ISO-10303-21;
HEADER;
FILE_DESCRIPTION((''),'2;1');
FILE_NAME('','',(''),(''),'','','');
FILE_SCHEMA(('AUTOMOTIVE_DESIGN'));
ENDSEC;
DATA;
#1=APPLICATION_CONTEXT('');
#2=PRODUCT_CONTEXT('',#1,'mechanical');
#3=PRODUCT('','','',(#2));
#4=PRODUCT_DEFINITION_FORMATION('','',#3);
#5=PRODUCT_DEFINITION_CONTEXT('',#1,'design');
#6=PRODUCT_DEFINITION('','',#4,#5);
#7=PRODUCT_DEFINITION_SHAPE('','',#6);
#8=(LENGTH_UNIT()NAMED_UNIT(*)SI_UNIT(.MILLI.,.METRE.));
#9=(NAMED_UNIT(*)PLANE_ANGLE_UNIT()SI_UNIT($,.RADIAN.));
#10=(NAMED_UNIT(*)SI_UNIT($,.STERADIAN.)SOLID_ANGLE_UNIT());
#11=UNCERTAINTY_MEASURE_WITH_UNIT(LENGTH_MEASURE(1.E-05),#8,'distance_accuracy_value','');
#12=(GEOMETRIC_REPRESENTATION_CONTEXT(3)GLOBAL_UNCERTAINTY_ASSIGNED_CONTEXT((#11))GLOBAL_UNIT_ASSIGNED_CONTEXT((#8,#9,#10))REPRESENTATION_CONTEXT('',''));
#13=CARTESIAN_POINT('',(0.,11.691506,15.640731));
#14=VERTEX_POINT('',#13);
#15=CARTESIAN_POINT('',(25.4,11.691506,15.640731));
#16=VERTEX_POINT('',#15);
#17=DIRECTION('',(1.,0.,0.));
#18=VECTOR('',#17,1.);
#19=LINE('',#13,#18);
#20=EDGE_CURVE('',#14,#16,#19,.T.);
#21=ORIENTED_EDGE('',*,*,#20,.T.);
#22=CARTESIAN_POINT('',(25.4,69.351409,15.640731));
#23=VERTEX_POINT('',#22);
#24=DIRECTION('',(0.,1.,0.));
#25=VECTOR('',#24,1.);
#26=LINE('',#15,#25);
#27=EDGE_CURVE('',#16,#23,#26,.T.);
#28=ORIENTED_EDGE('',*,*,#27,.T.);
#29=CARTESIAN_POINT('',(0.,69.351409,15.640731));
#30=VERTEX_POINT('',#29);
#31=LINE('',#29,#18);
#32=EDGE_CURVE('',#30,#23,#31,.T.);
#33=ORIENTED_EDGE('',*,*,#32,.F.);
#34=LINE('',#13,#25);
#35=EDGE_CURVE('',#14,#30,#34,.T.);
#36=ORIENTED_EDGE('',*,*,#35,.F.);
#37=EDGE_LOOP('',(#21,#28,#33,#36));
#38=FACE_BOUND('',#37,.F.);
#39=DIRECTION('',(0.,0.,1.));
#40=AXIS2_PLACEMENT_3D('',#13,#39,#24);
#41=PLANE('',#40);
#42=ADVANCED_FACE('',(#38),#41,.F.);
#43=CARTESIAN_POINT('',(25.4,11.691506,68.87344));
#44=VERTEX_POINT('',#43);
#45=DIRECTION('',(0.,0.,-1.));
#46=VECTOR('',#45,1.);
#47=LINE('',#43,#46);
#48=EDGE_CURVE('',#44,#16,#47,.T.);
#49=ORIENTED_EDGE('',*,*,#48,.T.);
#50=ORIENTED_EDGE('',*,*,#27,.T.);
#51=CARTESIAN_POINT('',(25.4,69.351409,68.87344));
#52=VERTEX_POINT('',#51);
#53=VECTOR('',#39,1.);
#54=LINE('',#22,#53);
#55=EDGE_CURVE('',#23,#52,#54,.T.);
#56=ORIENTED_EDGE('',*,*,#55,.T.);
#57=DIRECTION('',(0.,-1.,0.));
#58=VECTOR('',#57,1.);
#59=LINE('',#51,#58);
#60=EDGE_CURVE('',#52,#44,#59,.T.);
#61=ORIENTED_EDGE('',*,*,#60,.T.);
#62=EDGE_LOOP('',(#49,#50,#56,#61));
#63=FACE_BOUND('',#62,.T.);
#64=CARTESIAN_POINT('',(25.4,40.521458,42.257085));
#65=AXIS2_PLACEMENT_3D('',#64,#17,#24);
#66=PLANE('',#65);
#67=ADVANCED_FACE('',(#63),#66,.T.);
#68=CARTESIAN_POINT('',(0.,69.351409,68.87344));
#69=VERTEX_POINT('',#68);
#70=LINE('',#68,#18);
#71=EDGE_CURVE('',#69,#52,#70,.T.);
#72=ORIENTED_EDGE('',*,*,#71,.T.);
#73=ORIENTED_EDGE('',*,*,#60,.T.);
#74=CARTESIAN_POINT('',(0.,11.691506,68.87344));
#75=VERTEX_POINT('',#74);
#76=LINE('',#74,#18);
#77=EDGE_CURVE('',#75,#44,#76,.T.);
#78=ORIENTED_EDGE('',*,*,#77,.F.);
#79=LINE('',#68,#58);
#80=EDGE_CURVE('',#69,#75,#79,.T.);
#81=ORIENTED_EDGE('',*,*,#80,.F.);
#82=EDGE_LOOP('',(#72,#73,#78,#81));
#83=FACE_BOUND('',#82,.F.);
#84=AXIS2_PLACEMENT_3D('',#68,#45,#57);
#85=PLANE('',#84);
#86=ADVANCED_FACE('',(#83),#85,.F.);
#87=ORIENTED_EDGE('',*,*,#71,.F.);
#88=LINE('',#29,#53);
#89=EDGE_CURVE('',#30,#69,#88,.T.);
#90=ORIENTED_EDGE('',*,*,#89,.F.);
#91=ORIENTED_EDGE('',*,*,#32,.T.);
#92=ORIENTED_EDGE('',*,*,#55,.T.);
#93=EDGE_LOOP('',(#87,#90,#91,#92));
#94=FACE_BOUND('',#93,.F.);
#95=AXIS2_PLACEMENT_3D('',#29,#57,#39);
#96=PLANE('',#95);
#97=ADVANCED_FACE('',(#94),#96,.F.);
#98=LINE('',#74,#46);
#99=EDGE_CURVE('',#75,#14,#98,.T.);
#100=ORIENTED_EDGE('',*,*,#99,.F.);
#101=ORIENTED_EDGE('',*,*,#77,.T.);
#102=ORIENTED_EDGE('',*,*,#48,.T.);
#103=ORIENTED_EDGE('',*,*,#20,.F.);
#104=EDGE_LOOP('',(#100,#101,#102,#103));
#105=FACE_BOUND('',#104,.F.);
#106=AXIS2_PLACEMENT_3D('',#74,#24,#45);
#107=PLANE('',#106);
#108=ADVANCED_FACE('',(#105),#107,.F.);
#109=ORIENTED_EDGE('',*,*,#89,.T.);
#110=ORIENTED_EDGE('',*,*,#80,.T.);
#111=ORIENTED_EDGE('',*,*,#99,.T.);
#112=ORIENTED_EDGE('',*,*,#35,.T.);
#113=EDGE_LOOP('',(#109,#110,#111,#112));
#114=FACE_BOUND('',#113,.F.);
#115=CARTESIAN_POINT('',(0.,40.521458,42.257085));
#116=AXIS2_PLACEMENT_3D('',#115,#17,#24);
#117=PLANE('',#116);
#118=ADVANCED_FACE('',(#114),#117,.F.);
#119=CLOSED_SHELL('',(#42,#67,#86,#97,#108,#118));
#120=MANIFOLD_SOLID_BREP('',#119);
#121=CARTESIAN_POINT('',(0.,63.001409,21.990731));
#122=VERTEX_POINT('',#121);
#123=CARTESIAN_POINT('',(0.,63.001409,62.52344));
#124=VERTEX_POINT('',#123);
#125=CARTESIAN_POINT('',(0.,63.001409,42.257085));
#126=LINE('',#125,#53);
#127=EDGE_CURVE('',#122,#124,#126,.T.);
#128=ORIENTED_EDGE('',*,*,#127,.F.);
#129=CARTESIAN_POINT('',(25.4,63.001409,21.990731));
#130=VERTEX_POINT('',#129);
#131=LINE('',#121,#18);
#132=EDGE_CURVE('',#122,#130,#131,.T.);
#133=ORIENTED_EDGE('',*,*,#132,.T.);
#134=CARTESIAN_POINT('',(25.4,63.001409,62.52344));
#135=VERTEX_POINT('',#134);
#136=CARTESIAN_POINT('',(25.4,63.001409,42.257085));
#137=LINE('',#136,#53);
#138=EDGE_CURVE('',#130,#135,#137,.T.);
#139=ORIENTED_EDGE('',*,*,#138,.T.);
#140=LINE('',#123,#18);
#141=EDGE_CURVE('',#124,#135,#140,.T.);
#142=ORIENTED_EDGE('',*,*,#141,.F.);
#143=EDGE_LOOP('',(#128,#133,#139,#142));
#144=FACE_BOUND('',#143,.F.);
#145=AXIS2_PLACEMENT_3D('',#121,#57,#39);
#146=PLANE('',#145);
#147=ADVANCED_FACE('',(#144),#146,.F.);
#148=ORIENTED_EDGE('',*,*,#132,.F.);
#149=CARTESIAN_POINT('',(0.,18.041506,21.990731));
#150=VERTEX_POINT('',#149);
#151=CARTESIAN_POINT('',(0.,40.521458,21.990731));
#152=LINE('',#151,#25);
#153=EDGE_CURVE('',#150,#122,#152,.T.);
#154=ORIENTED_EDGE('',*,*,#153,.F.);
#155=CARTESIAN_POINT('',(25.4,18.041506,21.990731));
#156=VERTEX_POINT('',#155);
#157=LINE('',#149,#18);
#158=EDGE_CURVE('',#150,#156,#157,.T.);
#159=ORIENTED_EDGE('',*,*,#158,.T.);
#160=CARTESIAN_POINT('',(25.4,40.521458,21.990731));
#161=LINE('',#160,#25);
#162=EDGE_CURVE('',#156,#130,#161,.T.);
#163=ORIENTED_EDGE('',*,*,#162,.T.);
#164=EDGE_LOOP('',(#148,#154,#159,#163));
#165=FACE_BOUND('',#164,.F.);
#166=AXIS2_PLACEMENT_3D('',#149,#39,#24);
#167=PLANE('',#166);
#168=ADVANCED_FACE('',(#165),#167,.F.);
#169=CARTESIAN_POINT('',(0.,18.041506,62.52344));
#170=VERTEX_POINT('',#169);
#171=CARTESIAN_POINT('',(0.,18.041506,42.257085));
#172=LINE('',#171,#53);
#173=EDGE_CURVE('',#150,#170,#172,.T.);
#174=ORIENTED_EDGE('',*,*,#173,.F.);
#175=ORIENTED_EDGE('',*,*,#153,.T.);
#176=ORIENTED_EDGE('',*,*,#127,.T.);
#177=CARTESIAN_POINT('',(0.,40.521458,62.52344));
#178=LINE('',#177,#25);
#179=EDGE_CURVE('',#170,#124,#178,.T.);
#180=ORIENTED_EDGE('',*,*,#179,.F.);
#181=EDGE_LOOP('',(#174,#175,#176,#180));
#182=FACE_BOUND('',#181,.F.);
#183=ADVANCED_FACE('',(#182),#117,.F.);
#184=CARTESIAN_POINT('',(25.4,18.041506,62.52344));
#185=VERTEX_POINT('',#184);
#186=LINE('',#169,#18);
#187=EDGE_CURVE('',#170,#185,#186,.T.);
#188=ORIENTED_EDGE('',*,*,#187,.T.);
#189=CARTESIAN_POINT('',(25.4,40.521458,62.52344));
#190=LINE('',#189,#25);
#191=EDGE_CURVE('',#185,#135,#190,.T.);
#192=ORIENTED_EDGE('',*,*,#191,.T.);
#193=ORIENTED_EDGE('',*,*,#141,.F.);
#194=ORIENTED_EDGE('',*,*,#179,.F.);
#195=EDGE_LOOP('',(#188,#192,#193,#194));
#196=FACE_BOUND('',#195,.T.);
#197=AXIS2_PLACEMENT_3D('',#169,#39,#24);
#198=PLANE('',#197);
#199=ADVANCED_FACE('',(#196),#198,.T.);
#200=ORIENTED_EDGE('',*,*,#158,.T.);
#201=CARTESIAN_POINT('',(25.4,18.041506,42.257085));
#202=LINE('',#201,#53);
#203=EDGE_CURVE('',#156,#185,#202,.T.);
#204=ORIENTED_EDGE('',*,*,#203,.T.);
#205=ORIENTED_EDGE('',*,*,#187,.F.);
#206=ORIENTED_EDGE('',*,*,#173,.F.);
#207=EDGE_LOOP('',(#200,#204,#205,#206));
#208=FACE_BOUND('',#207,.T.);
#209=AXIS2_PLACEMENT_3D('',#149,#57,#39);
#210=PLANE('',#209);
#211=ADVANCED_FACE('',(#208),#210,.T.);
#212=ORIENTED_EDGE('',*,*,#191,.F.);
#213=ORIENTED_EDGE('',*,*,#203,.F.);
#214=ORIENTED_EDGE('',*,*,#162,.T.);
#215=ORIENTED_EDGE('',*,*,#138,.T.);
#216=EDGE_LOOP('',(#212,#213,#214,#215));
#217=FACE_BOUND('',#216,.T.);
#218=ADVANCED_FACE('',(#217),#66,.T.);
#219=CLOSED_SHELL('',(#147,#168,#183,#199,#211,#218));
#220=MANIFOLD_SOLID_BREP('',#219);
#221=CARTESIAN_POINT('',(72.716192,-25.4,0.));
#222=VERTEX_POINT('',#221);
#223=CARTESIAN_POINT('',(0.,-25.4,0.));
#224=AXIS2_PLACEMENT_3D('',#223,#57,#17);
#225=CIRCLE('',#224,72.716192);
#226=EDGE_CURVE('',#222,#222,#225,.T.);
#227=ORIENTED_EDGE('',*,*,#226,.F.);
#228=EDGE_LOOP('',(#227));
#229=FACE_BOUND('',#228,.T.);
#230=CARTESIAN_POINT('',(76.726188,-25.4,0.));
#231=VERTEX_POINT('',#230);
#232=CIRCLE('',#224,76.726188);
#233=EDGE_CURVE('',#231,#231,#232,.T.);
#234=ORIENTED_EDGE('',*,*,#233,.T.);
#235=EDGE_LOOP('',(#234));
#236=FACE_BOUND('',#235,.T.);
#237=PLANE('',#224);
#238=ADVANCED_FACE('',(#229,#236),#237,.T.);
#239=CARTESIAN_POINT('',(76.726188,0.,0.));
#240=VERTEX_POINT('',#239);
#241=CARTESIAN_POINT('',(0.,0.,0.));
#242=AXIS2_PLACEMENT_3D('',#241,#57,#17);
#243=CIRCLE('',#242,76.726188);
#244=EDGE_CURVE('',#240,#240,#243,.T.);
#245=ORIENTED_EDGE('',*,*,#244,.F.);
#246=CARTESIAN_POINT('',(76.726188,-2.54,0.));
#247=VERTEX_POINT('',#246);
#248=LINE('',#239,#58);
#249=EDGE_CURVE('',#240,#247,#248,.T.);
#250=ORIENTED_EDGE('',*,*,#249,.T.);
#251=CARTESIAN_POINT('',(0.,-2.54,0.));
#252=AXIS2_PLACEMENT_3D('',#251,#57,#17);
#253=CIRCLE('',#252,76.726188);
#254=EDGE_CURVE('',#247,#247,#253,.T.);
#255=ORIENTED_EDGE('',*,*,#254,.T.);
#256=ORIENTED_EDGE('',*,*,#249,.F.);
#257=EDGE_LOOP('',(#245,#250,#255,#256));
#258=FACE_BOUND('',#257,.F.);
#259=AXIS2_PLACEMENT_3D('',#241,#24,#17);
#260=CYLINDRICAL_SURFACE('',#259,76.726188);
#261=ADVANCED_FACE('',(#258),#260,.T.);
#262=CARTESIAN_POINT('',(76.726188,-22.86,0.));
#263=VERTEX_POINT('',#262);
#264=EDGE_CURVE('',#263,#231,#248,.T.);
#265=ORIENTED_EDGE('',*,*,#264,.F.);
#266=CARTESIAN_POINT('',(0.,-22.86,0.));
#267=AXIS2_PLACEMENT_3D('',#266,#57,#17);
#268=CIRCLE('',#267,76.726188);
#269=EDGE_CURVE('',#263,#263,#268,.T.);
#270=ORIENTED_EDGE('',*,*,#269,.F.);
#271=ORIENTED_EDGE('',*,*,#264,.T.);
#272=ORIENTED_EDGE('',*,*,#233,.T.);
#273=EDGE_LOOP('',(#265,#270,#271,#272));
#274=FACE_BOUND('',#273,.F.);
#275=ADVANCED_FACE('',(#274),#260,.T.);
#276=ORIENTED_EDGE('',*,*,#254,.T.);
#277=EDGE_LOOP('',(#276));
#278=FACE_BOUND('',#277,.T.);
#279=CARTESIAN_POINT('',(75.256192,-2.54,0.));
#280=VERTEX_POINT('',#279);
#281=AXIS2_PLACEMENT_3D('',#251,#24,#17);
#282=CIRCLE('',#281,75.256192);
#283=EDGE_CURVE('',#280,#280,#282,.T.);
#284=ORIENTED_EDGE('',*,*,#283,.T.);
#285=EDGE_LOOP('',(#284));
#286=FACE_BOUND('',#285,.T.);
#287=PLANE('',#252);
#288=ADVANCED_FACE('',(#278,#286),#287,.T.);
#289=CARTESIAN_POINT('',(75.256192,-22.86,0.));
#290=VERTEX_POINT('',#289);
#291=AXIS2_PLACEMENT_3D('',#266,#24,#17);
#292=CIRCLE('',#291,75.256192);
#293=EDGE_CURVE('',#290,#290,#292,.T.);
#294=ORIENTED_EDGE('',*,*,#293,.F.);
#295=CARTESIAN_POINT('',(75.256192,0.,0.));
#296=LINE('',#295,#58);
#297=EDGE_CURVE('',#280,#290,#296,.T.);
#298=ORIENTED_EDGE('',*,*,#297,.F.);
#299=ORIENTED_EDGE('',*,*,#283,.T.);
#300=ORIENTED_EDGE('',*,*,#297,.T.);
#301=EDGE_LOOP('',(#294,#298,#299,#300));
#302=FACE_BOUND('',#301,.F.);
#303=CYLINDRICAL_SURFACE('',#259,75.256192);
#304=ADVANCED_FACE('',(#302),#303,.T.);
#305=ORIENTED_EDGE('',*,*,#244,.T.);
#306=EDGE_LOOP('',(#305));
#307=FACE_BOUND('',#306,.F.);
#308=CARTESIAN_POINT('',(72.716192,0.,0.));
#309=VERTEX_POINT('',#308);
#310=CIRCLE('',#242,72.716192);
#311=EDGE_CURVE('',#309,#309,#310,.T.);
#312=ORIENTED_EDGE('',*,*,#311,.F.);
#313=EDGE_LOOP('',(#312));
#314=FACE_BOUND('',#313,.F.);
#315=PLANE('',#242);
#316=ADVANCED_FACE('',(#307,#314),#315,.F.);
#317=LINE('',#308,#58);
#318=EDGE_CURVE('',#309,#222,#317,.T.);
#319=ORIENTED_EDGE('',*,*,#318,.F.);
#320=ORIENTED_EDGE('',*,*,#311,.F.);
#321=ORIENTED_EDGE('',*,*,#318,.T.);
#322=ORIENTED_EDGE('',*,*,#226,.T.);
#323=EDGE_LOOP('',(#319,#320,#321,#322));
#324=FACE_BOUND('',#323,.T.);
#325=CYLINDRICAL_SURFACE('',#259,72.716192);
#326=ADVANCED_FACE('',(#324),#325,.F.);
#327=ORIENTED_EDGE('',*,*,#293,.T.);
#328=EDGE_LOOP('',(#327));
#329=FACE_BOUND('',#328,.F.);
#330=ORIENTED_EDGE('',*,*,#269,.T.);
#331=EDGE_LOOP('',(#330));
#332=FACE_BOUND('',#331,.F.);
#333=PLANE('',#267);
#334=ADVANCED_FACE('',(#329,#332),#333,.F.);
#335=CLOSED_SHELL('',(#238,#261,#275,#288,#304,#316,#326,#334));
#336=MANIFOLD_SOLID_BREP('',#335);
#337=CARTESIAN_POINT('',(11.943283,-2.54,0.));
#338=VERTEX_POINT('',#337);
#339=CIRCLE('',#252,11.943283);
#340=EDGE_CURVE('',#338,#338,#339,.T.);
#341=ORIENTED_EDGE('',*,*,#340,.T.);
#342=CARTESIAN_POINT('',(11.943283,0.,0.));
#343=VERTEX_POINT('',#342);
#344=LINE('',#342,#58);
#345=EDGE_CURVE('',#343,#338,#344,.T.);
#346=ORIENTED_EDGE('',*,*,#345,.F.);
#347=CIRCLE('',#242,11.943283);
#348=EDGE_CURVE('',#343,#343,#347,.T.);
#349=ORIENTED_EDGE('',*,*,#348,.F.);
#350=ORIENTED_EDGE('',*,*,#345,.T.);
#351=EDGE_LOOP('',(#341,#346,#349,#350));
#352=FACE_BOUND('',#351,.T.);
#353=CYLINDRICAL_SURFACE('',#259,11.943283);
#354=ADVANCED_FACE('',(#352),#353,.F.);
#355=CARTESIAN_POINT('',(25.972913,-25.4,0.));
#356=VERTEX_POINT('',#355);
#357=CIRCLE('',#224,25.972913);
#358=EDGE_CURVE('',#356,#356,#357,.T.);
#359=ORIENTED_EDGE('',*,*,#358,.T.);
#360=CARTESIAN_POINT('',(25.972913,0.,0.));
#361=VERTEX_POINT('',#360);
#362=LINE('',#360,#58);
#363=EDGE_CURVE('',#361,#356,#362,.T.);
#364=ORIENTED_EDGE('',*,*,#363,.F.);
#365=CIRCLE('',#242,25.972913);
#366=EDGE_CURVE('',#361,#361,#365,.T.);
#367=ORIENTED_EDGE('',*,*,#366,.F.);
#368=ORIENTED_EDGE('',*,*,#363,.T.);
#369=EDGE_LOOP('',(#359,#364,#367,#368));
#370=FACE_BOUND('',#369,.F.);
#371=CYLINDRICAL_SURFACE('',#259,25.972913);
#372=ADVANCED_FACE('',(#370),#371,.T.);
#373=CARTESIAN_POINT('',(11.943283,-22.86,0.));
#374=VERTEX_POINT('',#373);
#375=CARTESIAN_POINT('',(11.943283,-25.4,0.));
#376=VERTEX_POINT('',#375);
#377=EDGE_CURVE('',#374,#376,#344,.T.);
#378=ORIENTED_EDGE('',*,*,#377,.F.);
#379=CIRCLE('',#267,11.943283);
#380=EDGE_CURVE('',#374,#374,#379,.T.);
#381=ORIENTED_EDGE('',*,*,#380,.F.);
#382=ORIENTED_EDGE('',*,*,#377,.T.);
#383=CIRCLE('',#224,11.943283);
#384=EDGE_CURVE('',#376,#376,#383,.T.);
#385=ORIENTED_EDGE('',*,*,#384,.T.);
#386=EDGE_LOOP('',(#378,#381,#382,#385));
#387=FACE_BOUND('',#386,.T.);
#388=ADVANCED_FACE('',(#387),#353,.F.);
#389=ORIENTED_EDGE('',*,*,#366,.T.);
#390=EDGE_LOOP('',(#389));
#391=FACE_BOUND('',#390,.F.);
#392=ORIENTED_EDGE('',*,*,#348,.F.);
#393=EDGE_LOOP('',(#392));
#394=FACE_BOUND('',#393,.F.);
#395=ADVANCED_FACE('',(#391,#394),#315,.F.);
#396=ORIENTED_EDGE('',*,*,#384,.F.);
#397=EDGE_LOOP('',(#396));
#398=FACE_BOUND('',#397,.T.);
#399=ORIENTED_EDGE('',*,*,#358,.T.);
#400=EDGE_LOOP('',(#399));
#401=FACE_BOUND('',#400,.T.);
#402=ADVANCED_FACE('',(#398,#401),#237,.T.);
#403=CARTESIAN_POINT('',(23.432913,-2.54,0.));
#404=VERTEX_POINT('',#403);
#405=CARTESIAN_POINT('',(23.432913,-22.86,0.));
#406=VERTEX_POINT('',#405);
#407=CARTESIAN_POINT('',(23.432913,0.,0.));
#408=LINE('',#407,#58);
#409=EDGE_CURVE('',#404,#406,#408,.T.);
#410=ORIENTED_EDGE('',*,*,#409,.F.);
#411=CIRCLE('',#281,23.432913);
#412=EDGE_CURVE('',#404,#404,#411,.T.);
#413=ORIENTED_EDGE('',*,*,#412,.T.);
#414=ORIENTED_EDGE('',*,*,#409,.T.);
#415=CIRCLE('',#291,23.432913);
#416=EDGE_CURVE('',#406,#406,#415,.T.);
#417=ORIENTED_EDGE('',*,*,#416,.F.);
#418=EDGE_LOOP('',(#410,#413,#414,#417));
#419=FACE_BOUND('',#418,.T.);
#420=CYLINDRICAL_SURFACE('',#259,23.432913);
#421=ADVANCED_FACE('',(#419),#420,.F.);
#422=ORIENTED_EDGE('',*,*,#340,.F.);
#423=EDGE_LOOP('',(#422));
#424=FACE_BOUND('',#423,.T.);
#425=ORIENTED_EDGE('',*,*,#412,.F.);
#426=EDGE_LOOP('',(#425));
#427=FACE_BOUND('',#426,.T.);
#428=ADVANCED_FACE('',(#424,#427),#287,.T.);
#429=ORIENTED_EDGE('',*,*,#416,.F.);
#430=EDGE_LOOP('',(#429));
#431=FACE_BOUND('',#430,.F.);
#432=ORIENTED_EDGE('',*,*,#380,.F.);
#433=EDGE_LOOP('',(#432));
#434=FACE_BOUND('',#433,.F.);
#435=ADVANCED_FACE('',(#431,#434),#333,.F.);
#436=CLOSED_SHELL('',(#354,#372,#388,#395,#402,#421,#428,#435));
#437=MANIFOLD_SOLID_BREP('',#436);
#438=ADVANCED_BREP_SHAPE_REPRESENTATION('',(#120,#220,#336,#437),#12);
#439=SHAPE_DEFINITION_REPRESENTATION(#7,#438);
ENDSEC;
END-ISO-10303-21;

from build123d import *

# Parameters (mm, degrees)
F0_R     = 76.726188476
F0_R_2   = 72.7161920424
F1_DEPTH = 25.4
F0_R_3   = 25.9729126844
F0_R_4   = 11.9432833283
F2_T     = -2.54
F3_T     = -2.54
F7_DEPTH = 25.4
F6_W     = 44.9599027634
F6_H     = 40.532708168


with BuildPart() as f1:
    # F0 (on Front) → F1 (new body)
    with BuildSketch(Plane.XZ):
        Circle(F0_R)
        Circle(F0_R_2, mode=Mode.SUBTRACT)
    extrude(amount=F1_DEPTH)

    # F2
    f2_openings = [f1.faces().sort_by_distance(p)[0] for p in [
        (-76.726188, -12.7, 0),
    ]]
    offset(amount=F2_T, openings=f2_openings)


with BuildPart() as f1b:
    # F0 (on Front) → F1, piece 2 (new body)
    with BuildSketch(Plane.XZ):
        Circle(F0_R_3)
        Circle(F0_R_4, mode=Mode.SUBTRACT)
    extrude(amount=F1_DEPTH)

    # F3
    f3_openings = [f1b.faces().sort_by_distance(p)[0] for p in [
        (-11.943283, -12.7, 0),
    ]]
    offset(amount=F3_T, openings=f3_openings)


with BuildPart() as f7:
    # F5 (on Right) → F7 (new body)
    with BuildSketch(Plane.YZ):
        Polygon((11.6915064096, 15.6407313585), (69.351409173, 15.6407313585), (69.351409173, 68.8734395266), (11.6915064096, 68.8734395266), (11.6915064096, 41.7400859296), align=None)
    extrude(amount=F7_DEPTH)


with BuildPart() as f7b:
    # F6 (on face) → F7, piece 2 (new body)
    with BuildSketch(Plane.YZ):
        with Locations((40.5214577913, 42.2570854425)):
            Rectangle(F6_W, F6_H)
    extrude(amount=F7_DEPTH)


solid = Compound([f1.part, f1b.part, f7.part, f7b.part])
